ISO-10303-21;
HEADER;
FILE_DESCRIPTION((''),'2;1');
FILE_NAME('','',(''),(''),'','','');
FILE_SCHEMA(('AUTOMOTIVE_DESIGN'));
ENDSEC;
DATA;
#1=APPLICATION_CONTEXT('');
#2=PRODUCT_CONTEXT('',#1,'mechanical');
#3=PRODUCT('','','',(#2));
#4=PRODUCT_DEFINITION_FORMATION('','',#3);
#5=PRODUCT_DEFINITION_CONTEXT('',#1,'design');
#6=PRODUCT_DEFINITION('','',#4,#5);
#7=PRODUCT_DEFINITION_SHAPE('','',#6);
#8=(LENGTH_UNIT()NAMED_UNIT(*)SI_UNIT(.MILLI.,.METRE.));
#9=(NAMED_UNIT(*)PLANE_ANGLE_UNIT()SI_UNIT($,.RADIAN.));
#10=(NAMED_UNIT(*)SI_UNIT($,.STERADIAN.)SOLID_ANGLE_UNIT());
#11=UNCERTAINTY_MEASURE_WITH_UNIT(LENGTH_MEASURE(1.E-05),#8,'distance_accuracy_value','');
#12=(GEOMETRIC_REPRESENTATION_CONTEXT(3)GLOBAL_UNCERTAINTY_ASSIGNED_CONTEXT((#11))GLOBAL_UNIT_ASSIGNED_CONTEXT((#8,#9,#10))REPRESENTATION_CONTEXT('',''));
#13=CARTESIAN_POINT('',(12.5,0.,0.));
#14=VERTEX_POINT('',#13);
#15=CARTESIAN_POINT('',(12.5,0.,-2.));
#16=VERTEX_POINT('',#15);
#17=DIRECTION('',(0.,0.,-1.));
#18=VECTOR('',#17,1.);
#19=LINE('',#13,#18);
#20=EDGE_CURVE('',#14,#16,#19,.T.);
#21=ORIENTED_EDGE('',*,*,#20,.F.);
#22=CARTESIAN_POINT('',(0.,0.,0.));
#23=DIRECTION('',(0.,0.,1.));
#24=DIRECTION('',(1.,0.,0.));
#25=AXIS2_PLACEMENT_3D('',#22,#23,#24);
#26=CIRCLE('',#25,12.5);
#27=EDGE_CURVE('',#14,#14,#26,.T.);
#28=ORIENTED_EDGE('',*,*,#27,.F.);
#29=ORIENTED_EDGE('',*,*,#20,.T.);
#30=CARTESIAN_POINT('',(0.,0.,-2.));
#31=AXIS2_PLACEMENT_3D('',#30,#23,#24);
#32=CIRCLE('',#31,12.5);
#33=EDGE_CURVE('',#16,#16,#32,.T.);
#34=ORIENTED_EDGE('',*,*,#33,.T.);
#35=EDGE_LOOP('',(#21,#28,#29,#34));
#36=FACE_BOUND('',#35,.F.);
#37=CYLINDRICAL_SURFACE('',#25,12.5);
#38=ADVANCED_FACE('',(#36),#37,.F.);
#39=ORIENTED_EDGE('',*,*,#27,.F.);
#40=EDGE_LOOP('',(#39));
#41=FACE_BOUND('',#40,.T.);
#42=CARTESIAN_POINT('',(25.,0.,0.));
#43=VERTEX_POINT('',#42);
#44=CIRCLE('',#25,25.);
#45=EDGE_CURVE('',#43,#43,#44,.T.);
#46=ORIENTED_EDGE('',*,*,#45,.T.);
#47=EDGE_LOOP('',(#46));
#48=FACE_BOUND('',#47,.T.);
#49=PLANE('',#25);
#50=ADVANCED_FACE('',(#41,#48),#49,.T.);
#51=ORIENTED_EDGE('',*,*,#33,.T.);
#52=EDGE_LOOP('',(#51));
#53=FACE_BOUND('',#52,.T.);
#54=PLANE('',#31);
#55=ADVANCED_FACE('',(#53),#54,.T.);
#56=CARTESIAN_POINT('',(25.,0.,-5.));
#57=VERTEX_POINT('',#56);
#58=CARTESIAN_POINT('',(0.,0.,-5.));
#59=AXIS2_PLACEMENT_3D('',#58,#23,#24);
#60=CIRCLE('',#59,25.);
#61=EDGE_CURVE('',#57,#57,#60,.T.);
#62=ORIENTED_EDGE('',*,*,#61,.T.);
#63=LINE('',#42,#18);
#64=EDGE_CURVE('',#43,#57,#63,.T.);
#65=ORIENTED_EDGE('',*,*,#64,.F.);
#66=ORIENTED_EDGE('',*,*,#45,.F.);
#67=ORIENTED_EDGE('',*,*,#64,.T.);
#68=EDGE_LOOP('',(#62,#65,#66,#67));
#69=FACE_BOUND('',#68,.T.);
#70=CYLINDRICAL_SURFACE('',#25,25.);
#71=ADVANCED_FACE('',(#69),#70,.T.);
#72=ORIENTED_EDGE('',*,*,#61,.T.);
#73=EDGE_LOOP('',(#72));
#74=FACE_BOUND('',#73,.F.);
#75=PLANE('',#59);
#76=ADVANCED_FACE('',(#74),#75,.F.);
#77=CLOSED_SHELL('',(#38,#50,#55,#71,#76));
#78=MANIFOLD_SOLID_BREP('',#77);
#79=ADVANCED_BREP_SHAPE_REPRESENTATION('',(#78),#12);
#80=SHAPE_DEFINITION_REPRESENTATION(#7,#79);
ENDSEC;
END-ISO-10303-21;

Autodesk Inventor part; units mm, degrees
ref_plane "YZ Plane" through (0, 0, 0) normal (1, 0, 0) x (0, 1, 0)
ref_plane "XZ Plane" through (0, 0, 0) normal (0, 1, 0) x (-1, 0, 0)
ref_plane "XY Plane" through (0, 0, 0) normal (0, 0, 1) x (1, 0, 0)
sketch "Sketch1" plane through (0, 0, 0) normal (0, 0, 1) x (1, 0, 0)
  circle A0 centre (0, 0) radius 25
  dimension "d0" = 50
extrude "Extrusion1" add sketch "Sketch1" against normal blind 5
sketch "Sketch2" plane through (0, 0, 0) normal (0, 0, 1) x (1, 0, 0)
  circle A0 centre (0, 0) radius 12.5
  dimension "d3" = 25
extrude "Extrusion2" cut sketch "Sketch2" against normal blind 2
properties part number "baseBot"
